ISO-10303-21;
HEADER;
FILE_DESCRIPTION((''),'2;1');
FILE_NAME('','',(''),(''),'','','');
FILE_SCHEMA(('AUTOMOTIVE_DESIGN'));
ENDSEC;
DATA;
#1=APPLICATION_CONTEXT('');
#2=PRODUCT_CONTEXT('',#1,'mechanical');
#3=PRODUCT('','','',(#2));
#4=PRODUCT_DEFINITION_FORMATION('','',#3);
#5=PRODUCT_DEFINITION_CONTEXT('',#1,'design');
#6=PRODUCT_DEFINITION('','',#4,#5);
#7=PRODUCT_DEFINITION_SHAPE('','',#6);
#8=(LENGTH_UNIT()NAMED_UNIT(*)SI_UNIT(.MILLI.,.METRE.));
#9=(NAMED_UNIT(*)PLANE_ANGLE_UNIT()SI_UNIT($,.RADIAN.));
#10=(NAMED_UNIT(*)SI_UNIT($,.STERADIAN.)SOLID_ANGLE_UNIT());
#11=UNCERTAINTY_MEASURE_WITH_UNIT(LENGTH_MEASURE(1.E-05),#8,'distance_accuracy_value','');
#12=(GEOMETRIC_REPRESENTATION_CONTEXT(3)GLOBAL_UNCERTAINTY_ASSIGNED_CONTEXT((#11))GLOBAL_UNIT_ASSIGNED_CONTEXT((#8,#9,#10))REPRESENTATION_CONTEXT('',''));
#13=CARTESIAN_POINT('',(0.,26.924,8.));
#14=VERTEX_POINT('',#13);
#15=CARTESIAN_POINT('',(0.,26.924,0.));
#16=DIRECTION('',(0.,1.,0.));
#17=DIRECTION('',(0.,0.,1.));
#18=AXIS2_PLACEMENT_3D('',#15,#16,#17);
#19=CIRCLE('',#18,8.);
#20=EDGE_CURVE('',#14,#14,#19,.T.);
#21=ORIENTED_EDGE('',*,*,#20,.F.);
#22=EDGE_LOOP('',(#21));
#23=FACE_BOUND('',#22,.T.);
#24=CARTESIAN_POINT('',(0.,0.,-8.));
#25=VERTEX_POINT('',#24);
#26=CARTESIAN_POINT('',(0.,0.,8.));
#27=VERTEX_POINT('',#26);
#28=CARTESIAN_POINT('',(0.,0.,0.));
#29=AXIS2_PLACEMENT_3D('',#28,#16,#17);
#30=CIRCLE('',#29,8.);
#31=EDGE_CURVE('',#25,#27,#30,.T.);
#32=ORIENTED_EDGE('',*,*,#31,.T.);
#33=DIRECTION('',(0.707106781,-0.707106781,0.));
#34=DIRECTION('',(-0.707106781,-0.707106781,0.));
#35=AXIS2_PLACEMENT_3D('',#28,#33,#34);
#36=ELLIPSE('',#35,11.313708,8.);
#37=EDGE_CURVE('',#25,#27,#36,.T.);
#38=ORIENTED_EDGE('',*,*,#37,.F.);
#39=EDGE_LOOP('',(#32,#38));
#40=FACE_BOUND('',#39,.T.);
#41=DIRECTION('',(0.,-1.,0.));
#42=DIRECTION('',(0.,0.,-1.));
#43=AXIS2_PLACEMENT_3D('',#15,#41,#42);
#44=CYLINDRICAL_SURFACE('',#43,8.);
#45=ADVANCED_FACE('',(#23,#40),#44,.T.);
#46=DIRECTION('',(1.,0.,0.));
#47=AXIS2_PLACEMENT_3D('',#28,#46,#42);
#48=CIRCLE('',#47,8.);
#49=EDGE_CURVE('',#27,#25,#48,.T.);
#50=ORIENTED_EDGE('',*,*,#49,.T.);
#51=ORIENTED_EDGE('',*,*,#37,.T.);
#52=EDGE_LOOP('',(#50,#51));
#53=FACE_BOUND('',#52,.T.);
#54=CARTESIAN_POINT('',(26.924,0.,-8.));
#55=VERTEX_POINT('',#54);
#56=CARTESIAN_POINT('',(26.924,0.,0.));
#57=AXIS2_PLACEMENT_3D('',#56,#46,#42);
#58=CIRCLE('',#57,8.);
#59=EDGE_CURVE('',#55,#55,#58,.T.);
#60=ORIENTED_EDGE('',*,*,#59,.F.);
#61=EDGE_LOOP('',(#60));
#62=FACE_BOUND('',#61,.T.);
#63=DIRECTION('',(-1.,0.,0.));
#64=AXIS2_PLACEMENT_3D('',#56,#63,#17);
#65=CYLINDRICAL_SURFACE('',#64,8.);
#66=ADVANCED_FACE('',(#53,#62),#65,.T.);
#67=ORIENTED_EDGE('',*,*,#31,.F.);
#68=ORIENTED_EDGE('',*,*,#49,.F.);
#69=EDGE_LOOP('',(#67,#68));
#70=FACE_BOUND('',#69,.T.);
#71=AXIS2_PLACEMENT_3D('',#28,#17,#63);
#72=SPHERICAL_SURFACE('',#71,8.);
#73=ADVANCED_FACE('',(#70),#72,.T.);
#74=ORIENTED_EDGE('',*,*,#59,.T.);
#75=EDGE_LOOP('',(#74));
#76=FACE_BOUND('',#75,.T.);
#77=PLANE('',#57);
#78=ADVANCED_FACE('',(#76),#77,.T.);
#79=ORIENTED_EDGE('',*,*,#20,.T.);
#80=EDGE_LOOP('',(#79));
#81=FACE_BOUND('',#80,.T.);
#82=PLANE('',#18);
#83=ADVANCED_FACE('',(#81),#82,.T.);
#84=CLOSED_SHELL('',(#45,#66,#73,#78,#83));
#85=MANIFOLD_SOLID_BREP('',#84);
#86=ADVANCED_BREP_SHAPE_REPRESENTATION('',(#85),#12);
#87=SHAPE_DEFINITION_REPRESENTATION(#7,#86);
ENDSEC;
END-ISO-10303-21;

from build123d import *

# Parameters (mm, degrees)
SKETCH1_R           = 8
BOSS_EXTRUDE1_DEPTH = 26.924
SKETCH2_R           = 8
BOSS_EXTRUDE2_DEPTH = 26.924
REVOLVE1_ANGLE      = 90


with BuildPart() as part:
    # Sketch1 → Boss-Extrude1 (new body)
    with BuildSketch(Plane(origin=(0, 0, 0), x_dir=(1, 0, 0), z_dir=(0, 1, 0))):
        with Locations(Location((0, 0, 0), (0, 0, 270))):
            Circle(SKETCH1_R)
    extrude(amount=BOSS_EXTRUDE1_DEPTH)

    # Sketch2 → Boss-Extrude2 (add)
    with BuildSketch(Plane(origin=(0, 0, 0), x_dir=(0, 0, -1), z_dir=(1, 0, 0))):
        Circle(SKETCH2_R)
    extrude(amount=BOSS_EXTRUDE2_DEPTH)

    # Sketch3 → Revolve1 (revolve)
    with BuildSketch(Plane.ZY):
        with BuildLine():
            Line((-8, 0), (8, 0))
            ThreePointArc((8, 0), (0, -8), (-8, 0))
        make_face()
    revolve(axis=Axis((0, 0, 0), (0, 0, -1)), revolution_arc=REVOLVE1_ANGLE)


solid = part.part
